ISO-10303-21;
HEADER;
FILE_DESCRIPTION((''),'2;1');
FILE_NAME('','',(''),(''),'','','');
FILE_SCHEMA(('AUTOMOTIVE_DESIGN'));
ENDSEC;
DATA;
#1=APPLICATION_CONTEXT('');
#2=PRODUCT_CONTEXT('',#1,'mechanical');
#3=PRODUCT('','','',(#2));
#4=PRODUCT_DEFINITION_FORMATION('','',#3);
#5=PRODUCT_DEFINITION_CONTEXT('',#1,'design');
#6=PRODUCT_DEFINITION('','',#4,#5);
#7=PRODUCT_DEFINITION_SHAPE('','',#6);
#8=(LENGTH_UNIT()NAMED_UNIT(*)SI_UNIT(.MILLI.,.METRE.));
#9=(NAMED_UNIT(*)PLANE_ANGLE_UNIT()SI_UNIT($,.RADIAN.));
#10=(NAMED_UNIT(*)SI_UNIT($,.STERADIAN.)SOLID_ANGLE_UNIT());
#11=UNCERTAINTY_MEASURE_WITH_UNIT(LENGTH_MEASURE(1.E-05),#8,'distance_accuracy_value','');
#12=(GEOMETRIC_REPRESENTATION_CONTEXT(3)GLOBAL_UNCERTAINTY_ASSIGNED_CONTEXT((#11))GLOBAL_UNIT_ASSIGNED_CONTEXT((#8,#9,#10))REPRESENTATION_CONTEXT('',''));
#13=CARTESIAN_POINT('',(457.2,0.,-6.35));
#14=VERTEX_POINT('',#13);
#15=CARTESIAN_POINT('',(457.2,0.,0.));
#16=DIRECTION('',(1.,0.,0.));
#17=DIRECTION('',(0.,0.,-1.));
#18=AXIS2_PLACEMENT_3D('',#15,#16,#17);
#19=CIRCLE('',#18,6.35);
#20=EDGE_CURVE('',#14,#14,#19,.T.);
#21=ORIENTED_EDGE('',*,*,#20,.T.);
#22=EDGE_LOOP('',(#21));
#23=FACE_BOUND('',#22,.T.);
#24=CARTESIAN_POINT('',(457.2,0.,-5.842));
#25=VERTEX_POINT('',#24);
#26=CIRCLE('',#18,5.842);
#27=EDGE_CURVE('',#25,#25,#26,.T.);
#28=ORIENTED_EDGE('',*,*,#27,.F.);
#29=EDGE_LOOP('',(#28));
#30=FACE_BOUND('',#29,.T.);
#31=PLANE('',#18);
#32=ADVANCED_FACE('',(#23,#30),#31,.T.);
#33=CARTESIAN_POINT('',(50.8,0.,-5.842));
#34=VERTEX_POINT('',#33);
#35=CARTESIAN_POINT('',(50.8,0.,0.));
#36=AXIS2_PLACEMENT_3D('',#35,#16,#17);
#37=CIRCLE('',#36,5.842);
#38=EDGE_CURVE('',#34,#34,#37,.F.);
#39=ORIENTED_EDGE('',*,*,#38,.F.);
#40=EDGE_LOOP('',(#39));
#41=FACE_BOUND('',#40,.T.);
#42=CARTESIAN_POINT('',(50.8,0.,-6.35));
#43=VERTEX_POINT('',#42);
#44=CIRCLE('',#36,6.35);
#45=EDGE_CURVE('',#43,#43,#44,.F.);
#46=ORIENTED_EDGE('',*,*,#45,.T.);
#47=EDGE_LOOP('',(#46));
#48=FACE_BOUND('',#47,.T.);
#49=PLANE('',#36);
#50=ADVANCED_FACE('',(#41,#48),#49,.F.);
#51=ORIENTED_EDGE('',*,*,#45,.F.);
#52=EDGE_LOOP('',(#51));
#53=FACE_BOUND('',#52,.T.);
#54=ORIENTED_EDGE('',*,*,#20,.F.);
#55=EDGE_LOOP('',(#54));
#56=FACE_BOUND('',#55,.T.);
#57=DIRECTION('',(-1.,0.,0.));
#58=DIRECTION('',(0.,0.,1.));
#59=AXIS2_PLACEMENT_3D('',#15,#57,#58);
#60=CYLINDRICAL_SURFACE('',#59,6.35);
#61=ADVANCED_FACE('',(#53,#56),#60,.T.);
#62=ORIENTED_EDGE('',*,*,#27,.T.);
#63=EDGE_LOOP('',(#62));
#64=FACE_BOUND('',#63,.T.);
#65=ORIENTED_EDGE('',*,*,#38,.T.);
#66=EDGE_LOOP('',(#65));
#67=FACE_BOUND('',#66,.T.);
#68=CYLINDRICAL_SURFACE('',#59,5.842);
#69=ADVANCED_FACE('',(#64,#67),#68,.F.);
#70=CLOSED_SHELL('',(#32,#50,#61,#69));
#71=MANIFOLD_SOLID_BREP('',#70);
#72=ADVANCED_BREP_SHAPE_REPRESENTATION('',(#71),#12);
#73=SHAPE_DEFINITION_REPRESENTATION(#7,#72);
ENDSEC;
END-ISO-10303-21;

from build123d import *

# Parameters (mm, degrees)
SKETCH1_R          = 6.35
SKETCH1_R_2        = 5.842
EXTRUDE1_DEPTH     = 457.2
SKETCH5_R          = 6.35
SKETCH5_R_2        = 5.842
CUT_EXTRUDE1_DEPTH = 508


with BuildPart() as part:
    # Sketch1 → Extrude1 (new, symmetric)
    with BuildSketch(Plane(origin=(0, 0, 0), x_dir=(0, 0, -1), z_dir=(1, 0, 0))):
        Circle(SKETCH1_R)
        Circle(SKETCH1_R_2, mode=Mode.SUBTRACT)
    extrude(amount=EXTRUDE1_DEPTH, both=True)

    # Sketch5 → Cut-Extrude1 (cut)
    with BuildSketch(Plane.ZY.offset(457.2)):
        with Locations(Location((0, 0, 0), (0, 0, 180))):
            Circle(SKETCH5_R)
        with Locations(Location((0, 0, 0), (0, 0, 180))):
            Circle(SKETCH5_R_2, mode=Mode.SUBTRACT)
    extrude(amount=-CUT_EXTRUDE1_DEPTH, mode=Mode.SUBTRACT)


solid = part.part
